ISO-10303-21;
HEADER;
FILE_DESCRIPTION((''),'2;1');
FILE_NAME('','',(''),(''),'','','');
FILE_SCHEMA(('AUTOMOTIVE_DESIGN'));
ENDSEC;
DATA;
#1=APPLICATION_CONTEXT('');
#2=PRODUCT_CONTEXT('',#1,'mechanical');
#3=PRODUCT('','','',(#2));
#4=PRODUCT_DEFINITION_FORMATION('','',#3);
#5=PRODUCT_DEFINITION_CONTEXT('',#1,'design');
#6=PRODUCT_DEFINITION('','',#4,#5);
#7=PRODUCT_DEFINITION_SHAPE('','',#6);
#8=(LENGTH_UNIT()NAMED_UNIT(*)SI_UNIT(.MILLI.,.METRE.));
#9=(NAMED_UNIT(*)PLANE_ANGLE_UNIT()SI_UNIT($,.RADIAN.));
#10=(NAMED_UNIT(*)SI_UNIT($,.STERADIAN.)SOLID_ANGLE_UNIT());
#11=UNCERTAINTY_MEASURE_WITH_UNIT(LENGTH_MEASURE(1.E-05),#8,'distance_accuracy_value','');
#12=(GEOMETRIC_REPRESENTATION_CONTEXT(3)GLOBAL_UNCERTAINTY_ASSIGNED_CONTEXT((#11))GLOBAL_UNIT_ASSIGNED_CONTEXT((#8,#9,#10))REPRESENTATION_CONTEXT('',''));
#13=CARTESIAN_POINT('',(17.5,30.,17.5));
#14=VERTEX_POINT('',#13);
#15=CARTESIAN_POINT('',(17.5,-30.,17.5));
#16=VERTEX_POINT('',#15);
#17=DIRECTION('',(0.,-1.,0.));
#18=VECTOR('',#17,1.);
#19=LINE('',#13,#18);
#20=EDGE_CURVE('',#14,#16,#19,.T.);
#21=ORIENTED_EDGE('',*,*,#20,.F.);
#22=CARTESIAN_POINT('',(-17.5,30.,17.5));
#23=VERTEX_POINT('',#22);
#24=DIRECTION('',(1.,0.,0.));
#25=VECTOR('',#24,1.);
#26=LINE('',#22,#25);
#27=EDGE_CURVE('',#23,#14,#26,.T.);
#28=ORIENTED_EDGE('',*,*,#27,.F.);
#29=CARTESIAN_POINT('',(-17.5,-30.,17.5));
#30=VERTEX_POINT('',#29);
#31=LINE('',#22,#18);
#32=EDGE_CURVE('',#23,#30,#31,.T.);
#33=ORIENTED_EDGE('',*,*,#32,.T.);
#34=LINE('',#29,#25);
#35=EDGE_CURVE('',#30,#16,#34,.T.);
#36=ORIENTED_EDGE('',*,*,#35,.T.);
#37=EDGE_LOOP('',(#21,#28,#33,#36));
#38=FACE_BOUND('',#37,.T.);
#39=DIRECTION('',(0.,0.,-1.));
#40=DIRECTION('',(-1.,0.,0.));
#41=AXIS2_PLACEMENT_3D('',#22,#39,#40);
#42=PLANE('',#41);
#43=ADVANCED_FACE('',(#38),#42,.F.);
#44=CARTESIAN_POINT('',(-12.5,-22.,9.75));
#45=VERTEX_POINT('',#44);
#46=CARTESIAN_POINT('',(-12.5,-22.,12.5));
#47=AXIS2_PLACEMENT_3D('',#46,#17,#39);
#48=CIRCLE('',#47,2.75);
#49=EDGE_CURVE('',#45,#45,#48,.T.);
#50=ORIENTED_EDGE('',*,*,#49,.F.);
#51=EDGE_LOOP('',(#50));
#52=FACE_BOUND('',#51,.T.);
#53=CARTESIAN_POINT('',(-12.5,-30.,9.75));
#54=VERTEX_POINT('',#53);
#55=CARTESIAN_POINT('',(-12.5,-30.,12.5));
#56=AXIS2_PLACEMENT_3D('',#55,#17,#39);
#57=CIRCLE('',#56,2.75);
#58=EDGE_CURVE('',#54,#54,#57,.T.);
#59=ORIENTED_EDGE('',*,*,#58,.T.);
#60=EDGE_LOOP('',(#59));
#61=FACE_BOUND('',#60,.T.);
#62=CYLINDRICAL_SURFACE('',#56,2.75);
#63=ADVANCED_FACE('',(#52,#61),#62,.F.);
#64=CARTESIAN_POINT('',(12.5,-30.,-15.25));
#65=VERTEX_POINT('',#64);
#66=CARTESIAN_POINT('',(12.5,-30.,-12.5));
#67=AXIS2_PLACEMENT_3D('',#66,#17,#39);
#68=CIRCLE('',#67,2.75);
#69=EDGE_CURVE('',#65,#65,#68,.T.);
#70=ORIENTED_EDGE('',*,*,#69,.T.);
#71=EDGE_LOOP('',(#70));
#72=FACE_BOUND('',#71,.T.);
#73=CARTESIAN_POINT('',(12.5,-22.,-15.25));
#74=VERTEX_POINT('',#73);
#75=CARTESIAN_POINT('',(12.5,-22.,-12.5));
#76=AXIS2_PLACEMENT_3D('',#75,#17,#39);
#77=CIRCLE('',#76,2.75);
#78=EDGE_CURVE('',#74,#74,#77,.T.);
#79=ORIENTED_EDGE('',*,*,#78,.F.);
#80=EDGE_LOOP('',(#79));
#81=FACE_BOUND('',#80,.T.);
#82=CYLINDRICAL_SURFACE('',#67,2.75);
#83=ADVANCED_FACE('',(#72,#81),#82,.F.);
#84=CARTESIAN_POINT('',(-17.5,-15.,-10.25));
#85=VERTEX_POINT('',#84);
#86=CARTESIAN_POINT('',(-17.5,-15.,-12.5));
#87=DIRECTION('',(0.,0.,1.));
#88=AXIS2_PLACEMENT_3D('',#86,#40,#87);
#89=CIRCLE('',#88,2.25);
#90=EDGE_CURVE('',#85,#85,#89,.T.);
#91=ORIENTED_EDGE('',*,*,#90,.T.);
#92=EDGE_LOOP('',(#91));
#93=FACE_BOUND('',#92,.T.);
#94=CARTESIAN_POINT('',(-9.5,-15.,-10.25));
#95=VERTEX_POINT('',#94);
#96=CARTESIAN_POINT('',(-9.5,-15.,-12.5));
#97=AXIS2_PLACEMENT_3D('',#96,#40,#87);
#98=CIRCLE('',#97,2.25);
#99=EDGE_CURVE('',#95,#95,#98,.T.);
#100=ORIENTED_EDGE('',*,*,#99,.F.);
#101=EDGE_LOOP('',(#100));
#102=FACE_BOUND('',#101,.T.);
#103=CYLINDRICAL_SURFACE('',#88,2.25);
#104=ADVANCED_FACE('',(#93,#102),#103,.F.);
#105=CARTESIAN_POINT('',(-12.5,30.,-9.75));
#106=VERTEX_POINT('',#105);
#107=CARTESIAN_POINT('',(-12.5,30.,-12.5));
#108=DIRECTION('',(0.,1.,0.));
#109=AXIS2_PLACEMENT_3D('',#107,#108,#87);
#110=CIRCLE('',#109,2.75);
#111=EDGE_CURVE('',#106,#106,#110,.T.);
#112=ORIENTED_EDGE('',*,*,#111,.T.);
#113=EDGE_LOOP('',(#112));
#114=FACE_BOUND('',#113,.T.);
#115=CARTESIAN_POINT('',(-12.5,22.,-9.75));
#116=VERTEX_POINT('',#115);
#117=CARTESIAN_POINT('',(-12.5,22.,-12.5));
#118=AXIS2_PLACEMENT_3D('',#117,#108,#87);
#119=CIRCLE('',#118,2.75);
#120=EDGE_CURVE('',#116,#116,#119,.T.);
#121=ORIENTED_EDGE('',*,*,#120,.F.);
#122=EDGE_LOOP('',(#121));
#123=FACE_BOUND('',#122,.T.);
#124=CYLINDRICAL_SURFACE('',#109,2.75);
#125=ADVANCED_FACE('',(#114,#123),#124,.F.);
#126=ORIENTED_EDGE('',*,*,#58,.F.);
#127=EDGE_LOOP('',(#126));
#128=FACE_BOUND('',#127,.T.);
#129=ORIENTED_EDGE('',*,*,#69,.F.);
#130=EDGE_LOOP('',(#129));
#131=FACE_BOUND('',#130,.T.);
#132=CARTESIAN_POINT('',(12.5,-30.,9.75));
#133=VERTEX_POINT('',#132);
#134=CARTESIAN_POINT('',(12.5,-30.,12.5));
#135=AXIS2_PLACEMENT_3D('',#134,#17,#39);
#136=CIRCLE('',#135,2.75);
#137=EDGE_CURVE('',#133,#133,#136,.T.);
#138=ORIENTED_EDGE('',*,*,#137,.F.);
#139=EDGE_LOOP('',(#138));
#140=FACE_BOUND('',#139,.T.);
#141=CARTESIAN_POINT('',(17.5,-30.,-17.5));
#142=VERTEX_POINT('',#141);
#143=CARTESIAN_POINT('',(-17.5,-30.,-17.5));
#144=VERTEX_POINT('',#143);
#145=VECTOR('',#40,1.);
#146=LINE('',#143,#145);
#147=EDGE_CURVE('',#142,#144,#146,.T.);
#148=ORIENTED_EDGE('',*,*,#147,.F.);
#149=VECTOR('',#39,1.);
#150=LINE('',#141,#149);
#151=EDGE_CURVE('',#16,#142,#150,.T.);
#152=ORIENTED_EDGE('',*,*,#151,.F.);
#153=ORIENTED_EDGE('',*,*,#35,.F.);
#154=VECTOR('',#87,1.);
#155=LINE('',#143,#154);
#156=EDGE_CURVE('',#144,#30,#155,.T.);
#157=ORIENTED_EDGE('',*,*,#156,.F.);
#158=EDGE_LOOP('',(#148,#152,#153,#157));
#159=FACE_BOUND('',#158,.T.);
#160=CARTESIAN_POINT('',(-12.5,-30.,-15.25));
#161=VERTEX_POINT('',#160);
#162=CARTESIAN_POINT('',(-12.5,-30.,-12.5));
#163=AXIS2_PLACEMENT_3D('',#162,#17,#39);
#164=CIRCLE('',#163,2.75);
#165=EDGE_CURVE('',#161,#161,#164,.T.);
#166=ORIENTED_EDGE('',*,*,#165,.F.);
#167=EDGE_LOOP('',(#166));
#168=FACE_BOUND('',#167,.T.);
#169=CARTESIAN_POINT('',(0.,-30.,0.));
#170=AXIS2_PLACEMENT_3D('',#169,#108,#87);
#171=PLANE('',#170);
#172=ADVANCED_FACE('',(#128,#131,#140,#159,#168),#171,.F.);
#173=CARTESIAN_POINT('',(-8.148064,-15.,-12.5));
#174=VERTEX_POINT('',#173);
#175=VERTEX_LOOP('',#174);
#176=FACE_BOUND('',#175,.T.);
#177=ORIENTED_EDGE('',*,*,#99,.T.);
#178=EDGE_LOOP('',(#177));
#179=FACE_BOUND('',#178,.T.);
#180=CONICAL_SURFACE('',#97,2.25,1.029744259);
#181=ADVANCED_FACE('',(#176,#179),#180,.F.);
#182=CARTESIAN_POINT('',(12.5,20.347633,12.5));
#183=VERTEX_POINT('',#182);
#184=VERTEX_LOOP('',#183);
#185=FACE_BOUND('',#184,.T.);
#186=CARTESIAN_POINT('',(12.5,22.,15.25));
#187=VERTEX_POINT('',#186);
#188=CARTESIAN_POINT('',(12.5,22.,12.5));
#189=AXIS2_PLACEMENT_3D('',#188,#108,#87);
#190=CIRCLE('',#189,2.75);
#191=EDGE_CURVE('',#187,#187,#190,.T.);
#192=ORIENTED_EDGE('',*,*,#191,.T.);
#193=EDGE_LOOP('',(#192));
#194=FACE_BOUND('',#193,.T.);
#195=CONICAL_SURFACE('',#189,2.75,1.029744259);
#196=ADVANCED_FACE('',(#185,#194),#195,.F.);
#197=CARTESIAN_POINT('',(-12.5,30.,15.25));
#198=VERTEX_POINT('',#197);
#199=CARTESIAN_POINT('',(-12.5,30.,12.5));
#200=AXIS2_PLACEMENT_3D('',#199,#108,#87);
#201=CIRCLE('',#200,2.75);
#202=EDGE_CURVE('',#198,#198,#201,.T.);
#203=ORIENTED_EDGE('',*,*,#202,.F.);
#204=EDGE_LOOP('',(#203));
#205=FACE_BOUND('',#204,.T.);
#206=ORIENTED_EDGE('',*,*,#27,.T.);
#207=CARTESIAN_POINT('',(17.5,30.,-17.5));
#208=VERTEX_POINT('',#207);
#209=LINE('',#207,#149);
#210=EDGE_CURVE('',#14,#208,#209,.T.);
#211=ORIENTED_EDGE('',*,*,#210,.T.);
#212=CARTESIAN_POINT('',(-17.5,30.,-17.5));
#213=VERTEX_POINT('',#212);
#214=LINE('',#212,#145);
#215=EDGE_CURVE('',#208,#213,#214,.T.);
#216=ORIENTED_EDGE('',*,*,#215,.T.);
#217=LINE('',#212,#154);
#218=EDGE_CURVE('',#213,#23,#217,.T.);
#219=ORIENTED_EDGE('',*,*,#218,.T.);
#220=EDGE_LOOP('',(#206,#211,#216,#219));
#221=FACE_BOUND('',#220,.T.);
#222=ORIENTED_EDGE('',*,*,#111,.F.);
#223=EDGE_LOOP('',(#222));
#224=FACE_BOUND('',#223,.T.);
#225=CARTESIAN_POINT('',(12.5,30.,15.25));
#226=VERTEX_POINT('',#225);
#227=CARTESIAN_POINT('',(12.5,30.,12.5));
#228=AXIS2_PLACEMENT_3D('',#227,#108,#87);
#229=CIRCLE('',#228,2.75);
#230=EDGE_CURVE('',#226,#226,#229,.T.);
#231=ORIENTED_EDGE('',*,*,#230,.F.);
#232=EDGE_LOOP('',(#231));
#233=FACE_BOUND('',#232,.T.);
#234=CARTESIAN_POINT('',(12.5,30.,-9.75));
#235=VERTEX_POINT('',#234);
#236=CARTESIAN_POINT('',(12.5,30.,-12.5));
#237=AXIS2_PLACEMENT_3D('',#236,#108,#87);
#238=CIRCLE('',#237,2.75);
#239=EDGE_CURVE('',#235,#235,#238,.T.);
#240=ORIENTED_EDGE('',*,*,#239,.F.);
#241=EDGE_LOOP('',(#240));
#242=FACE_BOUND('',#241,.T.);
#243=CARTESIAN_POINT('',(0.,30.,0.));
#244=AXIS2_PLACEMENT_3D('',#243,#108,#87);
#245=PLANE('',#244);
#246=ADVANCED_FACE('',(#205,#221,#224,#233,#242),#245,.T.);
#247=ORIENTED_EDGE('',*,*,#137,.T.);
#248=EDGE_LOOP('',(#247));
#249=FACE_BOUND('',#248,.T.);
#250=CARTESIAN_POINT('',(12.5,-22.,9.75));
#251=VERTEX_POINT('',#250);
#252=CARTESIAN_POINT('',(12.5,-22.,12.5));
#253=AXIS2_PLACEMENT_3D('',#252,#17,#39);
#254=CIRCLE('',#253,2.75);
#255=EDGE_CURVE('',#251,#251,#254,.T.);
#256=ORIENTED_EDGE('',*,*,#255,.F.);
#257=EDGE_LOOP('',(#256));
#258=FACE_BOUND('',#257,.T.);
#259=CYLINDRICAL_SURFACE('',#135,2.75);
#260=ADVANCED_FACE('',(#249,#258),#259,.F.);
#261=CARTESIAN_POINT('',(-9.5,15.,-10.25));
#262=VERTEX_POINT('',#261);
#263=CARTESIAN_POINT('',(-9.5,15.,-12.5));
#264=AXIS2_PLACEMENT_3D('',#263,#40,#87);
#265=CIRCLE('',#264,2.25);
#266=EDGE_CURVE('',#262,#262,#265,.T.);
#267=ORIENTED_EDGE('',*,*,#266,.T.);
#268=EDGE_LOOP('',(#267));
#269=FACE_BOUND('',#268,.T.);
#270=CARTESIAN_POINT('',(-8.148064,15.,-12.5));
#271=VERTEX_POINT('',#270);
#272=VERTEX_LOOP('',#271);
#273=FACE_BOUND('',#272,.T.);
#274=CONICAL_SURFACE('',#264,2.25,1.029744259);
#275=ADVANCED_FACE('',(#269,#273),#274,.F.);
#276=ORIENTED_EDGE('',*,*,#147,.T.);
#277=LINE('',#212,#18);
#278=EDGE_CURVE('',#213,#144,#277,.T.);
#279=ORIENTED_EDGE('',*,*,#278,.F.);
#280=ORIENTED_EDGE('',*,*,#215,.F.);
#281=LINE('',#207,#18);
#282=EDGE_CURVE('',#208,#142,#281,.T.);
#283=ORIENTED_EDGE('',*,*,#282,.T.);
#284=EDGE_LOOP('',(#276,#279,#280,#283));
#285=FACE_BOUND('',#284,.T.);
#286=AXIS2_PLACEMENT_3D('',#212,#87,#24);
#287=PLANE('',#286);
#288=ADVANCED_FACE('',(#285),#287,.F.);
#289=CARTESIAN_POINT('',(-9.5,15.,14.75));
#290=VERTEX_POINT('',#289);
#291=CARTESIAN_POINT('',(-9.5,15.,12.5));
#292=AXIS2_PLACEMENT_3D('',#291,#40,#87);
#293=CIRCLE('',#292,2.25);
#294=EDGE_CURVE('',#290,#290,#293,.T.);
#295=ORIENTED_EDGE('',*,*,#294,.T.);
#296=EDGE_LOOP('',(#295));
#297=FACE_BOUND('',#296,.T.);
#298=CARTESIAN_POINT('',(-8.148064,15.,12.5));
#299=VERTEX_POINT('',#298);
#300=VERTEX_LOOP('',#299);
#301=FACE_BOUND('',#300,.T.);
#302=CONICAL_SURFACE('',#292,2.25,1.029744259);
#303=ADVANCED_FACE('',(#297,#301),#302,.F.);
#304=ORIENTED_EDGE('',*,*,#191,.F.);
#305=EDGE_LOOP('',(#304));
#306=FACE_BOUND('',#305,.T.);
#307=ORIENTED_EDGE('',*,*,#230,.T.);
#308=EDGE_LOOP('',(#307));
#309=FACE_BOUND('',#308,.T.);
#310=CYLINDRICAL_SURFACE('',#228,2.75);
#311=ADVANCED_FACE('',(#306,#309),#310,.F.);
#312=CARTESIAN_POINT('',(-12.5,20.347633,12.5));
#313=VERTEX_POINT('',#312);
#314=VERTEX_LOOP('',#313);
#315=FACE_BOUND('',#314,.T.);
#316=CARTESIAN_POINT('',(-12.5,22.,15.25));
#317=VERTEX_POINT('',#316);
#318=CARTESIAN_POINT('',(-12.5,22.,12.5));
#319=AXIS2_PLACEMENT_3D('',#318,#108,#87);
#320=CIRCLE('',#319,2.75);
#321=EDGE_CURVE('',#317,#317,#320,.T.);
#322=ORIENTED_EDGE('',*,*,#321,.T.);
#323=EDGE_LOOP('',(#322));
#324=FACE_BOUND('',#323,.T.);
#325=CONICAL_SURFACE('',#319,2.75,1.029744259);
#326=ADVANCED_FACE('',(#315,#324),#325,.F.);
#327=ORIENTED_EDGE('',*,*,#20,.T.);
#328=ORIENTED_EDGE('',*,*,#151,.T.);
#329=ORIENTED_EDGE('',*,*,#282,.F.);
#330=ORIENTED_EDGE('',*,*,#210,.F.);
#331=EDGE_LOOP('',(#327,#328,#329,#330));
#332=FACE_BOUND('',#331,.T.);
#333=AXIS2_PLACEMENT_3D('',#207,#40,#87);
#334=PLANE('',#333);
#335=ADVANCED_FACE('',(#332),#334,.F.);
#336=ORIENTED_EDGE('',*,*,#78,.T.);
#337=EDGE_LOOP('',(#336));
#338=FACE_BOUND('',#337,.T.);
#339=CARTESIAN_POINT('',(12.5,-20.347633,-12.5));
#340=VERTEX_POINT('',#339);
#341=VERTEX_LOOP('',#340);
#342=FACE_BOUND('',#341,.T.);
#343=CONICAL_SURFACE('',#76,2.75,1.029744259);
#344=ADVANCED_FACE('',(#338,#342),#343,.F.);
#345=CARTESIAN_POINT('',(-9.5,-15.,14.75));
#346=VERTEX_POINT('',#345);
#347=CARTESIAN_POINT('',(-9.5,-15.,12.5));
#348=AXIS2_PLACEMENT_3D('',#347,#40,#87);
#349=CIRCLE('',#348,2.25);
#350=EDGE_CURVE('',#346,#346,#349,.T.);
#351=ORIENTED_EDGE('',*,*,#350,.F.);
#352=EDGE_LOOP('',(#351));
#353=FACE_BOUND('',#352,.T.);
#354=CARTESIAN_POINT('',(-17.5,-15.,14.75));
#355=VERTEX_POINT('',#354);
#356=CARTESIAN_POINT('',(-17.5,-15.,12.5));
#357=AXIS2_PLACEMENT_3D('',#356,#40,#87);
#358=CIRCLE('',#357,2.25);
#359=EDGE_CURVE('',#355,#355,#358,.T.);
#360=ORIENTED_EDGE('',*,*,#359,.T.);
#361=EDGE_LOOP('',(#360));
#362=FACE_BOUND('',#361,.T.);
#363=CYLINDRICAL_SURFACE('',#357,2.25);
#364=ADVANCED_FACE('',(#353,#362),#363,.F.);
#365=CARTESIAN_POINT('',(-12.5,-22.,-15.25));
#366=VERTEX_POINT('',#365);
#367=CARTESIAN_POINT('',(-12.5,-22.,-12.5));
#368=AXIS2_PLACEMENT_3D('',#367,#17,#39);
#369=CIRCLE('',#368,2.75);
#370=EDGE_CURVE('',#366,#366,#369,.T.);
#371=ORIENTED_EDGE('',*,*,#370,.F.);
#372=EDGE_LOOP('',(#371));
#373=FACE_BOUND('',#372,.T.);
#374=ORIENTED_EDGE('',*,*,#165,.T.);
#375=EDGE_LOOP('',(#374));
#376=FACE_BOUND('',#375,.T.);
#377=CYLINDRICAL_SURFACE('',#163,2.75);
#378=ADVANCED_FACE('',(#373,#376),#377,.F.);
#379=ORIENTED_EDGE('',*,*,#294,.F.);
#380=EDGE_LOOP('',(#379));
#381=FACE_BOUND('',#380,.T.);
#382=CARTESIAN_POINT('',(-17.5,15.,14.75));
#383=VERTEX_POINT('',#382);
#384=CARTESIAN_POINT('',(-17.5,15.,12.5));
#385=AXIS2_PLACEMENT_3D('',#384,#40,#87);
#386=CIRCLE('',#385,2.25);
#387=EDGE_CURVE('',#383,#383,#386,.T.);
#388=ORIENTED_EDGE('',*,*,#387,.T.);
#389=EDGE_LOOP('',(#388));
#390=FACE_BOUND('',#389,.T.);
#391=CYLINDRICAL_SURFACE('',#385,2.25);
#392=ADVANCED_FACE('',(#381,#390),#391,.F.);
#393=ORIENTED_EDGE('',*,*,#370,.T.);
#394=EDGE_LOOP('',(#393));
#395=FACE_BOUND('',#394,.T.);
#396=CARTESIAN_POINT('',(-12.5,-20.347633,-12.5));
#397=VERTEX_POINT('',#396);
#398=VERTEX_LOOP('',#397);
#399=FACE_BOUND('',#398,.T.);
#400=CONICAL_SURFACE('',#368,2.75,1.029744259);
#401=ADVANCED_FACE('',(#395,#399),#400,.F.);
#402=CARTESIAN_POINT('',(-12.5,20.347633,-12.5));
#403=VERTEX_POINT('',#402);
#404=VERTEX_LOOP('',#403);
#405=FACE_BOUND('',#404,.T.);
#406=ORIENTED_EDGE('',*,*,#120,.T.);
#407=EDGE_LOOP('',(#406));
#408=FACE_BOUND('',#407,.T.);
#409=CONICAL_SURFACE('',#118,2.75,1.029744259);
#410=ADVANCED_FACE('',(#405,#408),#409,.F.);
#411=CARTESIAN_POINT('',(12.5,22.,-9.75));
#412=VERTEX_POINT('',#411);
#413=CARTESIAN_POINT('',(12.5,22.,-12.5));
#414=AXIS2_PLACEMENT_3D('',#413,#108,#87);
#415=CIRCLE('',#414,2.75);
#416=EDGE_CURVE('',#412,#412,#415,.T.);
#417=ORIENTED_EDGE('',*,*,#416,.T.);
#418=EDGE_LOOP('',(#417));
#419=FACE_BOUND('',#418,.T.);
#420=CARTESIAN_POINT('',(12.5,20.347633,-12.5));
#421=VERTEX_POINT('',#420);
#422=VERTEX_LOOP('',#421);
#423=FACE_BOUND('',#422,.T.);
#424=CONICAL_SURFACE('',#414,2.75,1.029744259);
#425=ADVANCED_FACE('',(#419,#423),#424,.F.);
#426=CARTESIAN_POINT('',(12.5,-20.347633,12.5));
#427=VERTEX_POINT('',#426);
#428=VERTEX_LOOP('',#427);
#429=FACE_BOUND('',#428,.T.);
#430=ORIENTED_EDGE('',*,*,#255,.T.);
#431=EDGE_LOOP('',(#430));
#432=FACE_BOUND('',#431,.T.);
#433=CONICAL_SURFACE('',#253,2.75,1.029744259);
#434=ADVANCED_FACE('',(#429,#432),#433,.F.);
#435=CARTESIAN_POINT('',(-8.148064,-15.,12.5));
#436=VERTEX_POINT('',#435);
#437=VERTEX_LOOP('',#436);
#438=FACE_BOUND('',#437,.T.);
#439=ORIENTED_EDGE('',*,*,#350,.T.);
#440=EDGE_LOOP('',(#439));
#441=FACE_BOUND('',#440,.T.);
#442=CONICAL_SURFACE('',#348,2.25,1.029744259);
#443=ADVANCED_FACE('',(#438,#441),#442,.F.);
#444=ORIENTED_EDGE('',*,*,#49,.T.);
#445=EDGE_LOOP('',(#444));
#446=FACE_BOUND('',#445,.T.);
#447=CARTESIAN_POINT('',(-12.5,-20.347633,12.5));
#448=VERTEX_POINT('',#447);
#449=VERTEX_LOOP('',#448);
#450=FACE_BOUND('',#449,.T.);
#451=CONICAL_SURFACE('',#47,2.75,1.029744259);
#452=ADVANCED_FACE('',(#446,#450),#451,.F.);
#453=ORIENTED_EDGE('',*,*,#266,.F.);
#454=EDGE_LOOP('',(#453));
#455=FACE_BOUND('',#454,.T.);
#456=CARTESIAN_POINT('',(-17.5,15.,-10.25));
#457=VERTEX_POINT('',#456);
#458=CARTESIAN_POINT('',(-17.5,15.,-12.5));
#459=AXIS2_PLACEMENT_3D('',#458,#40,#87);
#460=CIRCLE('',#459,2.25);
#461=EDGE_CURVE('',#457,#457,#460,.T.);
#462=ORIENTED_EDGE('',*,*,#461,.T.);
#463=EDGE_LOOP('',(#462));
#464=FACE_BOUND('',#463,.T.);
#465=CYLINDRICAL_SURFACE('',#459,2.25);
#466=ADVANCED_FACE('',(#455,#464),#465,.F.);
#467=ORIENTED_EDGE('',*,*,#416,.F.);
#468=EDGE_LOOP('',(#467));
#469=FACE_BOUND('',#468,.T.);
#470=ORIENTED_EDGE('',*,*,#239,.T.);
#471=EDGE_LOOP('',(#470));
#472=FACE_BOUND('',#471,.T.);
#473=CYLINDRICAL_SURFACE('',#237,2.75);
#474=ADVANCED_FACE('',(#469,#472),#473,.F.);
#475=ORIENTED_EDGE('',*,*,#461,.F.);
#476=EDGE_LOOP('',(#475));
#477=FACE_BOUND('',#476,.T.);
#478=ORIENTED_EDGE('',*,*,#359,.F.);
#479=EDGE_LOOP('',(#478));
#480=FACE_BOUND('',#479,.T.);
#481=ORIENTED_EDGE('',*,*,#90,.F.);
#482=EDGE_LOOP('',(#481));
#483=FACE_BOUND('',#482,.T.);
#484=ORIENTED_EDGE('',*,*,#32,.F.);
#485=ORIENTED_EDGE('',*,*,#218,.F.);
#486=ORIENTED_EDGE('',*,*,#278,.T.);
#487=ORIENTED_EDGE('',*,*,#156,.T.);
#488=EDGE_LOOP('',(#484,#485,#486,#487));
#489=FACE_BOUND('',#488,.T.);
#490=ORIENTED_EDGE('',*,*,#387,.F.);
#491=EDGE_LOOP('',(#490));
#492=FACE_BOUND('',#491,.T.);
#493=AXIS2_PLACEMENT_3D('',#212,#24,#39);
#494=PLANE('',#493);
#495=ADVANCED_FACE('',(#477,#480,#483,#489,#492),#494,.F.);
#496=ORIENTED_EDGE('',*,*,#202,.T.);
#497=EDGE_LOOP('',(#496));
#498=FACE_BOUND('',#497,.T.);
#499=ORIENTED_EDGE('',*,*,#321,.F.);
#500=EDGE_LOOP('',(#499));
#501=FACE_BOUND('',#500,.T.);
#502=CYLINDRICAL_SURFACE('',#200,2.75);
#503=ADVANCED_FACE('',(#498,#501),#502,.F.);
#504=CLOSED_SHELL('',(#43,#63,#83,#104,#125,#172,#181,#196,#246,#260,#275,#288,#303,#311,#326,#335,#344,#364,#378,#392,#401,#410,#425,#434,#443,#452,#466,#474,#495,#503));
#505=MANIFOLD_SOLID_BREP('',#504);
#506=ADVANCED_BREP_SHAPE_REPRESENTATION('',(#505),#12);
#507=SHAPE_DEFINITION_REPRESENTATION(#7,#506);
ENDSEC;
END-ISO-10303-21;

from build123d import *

# Parameters (mm, degrees)
SKETCH1_W           = 35
SKETCH1_H           = 35
BOSS_EXTRUDE1_DEPTH = 30


with BuildPart() as part:
    # Sketch1 → Boss-Extrude1 (new, symmetric)
    with BuildSketch(Plane(origin=(0, 0, 0), x_dir=(1, 0, 0), z_dir=(0, 1, 0))):
        Rectangle(SKETCH1_W, SKETCH1_H)
    extrude(amount=BOSS_EXTRUDE1_DEPTH, both=True)

    # Sketch3 → M5 Clearance Hole1 (revolve, cut)
    with BuildSketch(Plane(origin=(-12.5, 30, -12.5), x_dir=(0, 0, 1), z_dir=(1, 0, 0))):
        Polygon((0, 0), (0, 9.652366702), (2.75, 8), (2.75, 0), align=None)
    m5_clearance_hole1 = revolve(axis=Axis((-12.5, 36.35, -12.5), (0, -1, 0)), mode=Mode.SUBTRACT)

    # Mirror1: M5 Clearance Hole1 across plane
    add(m5_clearance_hole1.mirror(Plane(origin=(0, 0, 0), x_dir=(0, 0, 1), z_dir=(1, 0, 0))), mode=Mode.SUBTRACT)

    # Mirror2: M5 Clearance Hole1 across plane
    add(m5_clearance_hole1.mirror(Plane.XY), mode=Mode.SUBTRACT)

    # Mirror2 copy 1 sketch → Mirror2 copy 1 (revolve, cut)
    with BuildSketch(Plane(origin=(12.5, 30, 12.5), x_dir=(0, 0, -1), z_dir=(-1, 0, 0))):
        Polygon((0, 0), (0, 9.652366702), (2.75, 8), (2.75, 0), align=None)
    revolve(axis=Axis((12.5, 36.35, 12.5), (0, -1, 0)), mode=Mode.SUBTRACT)

    # Mirror3: M5 Clearance Hole1 across plane
    add(m5_clearance_hole1.mirror(Plane.ZX), mode=Mode.SUBTRACT)

    # Mirror3 copy 1 sketch → Mirror3 copy 1 (revolve, cut)
    with BuildSketch(Plane(origin=(12.5, -30, -12.5), x_dir=(0, 0, 1), z_dir=(-1, 0, 0))):
        Polygon((0, 0), (0, 9.652366702), (2.75, 8), (2.75, 0), align=None)
    revolve(axis=Axis((12.5, -36.35, -12.5), (0, 1, 0)), mode=Mode.SUBTRACT)

    # Mirror3 copy 2 sketch → Mirror3 copy 2 (revolve, cut)
    with BuildSketch(Plane(origin=(-12.5, -30, 12.5), x_dir=(0, 0, -1), z_dir=(1, 0, 0))):
        Polygon((0, 0), (0, 9.652366702), (2.75, 8), (2.75, 0), align=None)
    revolve(axis=Axis((-12.5, -36.35, 12.5), (0, 1, 0)), mode=Mode.SUBTRACT)

    # Mirror3 copy 3 sketch → Mirror3 copy 3 (revolve, cut)
    with BuildSketch(Plane(origin=(12.5, -30, 12.5), x_dir=(0, 0, -1), z_dir=(-1, 0, 0))):
        Polygon((0, 0), (0, -9.652366702), (2.75, -8), (2.75, 0), align=None)
    revolve(axis=Axis((12.5, -36.35, 12.5), (0, -1, 0)), mode=Mode.SUBTRACT)

    # Sketch8 → M4 Clearance Hole2 (revolve, cut)
    with BuildSketch(Plane(origin=(-17.5, 15, -12.5), x_dir=(0, 0, 1), z_dir=(0, 1, 0))):
        Polygon((0, 0), (0, 9.351936393), (2.25, 8), (2.25, 0), align=None)
    m4_clearance_hole2 = revolve(axis=Axis((-23.85, 15, -12.5), (1, 0, 0)), mode=Mode.SUBTRACT)

    # Mirror4: M4 Clearance Hole2 across plane
    add(m4_clearance_hole2.mirror(Plane.XY), mode=Mode.SUBTRACT)

    # Mirror5: M4 Clearance Hole2 across plane
    add(m4_clearance_hole2.mirror(Plane.ZX), mode=Mode.SUBTRACT)

    # Mirror5 copy 1 sketch → Mirror5 copy 1 (revolve, cut)
    with BuildSketch(Plane(origin=(-17.5, -15, 12.5), x_dir=(0, 0, -1), z_dir=(0, -1, 0))):
        Polygon((0, 0), (0, 9.351936393), (2.25, 8), (2.25, 0), align=None)
    revolve(axis=Axis((-23.85, -15, 12.5), (1, 0, 0)), mode=Mode.SUBTRACT)


solid = part.part
